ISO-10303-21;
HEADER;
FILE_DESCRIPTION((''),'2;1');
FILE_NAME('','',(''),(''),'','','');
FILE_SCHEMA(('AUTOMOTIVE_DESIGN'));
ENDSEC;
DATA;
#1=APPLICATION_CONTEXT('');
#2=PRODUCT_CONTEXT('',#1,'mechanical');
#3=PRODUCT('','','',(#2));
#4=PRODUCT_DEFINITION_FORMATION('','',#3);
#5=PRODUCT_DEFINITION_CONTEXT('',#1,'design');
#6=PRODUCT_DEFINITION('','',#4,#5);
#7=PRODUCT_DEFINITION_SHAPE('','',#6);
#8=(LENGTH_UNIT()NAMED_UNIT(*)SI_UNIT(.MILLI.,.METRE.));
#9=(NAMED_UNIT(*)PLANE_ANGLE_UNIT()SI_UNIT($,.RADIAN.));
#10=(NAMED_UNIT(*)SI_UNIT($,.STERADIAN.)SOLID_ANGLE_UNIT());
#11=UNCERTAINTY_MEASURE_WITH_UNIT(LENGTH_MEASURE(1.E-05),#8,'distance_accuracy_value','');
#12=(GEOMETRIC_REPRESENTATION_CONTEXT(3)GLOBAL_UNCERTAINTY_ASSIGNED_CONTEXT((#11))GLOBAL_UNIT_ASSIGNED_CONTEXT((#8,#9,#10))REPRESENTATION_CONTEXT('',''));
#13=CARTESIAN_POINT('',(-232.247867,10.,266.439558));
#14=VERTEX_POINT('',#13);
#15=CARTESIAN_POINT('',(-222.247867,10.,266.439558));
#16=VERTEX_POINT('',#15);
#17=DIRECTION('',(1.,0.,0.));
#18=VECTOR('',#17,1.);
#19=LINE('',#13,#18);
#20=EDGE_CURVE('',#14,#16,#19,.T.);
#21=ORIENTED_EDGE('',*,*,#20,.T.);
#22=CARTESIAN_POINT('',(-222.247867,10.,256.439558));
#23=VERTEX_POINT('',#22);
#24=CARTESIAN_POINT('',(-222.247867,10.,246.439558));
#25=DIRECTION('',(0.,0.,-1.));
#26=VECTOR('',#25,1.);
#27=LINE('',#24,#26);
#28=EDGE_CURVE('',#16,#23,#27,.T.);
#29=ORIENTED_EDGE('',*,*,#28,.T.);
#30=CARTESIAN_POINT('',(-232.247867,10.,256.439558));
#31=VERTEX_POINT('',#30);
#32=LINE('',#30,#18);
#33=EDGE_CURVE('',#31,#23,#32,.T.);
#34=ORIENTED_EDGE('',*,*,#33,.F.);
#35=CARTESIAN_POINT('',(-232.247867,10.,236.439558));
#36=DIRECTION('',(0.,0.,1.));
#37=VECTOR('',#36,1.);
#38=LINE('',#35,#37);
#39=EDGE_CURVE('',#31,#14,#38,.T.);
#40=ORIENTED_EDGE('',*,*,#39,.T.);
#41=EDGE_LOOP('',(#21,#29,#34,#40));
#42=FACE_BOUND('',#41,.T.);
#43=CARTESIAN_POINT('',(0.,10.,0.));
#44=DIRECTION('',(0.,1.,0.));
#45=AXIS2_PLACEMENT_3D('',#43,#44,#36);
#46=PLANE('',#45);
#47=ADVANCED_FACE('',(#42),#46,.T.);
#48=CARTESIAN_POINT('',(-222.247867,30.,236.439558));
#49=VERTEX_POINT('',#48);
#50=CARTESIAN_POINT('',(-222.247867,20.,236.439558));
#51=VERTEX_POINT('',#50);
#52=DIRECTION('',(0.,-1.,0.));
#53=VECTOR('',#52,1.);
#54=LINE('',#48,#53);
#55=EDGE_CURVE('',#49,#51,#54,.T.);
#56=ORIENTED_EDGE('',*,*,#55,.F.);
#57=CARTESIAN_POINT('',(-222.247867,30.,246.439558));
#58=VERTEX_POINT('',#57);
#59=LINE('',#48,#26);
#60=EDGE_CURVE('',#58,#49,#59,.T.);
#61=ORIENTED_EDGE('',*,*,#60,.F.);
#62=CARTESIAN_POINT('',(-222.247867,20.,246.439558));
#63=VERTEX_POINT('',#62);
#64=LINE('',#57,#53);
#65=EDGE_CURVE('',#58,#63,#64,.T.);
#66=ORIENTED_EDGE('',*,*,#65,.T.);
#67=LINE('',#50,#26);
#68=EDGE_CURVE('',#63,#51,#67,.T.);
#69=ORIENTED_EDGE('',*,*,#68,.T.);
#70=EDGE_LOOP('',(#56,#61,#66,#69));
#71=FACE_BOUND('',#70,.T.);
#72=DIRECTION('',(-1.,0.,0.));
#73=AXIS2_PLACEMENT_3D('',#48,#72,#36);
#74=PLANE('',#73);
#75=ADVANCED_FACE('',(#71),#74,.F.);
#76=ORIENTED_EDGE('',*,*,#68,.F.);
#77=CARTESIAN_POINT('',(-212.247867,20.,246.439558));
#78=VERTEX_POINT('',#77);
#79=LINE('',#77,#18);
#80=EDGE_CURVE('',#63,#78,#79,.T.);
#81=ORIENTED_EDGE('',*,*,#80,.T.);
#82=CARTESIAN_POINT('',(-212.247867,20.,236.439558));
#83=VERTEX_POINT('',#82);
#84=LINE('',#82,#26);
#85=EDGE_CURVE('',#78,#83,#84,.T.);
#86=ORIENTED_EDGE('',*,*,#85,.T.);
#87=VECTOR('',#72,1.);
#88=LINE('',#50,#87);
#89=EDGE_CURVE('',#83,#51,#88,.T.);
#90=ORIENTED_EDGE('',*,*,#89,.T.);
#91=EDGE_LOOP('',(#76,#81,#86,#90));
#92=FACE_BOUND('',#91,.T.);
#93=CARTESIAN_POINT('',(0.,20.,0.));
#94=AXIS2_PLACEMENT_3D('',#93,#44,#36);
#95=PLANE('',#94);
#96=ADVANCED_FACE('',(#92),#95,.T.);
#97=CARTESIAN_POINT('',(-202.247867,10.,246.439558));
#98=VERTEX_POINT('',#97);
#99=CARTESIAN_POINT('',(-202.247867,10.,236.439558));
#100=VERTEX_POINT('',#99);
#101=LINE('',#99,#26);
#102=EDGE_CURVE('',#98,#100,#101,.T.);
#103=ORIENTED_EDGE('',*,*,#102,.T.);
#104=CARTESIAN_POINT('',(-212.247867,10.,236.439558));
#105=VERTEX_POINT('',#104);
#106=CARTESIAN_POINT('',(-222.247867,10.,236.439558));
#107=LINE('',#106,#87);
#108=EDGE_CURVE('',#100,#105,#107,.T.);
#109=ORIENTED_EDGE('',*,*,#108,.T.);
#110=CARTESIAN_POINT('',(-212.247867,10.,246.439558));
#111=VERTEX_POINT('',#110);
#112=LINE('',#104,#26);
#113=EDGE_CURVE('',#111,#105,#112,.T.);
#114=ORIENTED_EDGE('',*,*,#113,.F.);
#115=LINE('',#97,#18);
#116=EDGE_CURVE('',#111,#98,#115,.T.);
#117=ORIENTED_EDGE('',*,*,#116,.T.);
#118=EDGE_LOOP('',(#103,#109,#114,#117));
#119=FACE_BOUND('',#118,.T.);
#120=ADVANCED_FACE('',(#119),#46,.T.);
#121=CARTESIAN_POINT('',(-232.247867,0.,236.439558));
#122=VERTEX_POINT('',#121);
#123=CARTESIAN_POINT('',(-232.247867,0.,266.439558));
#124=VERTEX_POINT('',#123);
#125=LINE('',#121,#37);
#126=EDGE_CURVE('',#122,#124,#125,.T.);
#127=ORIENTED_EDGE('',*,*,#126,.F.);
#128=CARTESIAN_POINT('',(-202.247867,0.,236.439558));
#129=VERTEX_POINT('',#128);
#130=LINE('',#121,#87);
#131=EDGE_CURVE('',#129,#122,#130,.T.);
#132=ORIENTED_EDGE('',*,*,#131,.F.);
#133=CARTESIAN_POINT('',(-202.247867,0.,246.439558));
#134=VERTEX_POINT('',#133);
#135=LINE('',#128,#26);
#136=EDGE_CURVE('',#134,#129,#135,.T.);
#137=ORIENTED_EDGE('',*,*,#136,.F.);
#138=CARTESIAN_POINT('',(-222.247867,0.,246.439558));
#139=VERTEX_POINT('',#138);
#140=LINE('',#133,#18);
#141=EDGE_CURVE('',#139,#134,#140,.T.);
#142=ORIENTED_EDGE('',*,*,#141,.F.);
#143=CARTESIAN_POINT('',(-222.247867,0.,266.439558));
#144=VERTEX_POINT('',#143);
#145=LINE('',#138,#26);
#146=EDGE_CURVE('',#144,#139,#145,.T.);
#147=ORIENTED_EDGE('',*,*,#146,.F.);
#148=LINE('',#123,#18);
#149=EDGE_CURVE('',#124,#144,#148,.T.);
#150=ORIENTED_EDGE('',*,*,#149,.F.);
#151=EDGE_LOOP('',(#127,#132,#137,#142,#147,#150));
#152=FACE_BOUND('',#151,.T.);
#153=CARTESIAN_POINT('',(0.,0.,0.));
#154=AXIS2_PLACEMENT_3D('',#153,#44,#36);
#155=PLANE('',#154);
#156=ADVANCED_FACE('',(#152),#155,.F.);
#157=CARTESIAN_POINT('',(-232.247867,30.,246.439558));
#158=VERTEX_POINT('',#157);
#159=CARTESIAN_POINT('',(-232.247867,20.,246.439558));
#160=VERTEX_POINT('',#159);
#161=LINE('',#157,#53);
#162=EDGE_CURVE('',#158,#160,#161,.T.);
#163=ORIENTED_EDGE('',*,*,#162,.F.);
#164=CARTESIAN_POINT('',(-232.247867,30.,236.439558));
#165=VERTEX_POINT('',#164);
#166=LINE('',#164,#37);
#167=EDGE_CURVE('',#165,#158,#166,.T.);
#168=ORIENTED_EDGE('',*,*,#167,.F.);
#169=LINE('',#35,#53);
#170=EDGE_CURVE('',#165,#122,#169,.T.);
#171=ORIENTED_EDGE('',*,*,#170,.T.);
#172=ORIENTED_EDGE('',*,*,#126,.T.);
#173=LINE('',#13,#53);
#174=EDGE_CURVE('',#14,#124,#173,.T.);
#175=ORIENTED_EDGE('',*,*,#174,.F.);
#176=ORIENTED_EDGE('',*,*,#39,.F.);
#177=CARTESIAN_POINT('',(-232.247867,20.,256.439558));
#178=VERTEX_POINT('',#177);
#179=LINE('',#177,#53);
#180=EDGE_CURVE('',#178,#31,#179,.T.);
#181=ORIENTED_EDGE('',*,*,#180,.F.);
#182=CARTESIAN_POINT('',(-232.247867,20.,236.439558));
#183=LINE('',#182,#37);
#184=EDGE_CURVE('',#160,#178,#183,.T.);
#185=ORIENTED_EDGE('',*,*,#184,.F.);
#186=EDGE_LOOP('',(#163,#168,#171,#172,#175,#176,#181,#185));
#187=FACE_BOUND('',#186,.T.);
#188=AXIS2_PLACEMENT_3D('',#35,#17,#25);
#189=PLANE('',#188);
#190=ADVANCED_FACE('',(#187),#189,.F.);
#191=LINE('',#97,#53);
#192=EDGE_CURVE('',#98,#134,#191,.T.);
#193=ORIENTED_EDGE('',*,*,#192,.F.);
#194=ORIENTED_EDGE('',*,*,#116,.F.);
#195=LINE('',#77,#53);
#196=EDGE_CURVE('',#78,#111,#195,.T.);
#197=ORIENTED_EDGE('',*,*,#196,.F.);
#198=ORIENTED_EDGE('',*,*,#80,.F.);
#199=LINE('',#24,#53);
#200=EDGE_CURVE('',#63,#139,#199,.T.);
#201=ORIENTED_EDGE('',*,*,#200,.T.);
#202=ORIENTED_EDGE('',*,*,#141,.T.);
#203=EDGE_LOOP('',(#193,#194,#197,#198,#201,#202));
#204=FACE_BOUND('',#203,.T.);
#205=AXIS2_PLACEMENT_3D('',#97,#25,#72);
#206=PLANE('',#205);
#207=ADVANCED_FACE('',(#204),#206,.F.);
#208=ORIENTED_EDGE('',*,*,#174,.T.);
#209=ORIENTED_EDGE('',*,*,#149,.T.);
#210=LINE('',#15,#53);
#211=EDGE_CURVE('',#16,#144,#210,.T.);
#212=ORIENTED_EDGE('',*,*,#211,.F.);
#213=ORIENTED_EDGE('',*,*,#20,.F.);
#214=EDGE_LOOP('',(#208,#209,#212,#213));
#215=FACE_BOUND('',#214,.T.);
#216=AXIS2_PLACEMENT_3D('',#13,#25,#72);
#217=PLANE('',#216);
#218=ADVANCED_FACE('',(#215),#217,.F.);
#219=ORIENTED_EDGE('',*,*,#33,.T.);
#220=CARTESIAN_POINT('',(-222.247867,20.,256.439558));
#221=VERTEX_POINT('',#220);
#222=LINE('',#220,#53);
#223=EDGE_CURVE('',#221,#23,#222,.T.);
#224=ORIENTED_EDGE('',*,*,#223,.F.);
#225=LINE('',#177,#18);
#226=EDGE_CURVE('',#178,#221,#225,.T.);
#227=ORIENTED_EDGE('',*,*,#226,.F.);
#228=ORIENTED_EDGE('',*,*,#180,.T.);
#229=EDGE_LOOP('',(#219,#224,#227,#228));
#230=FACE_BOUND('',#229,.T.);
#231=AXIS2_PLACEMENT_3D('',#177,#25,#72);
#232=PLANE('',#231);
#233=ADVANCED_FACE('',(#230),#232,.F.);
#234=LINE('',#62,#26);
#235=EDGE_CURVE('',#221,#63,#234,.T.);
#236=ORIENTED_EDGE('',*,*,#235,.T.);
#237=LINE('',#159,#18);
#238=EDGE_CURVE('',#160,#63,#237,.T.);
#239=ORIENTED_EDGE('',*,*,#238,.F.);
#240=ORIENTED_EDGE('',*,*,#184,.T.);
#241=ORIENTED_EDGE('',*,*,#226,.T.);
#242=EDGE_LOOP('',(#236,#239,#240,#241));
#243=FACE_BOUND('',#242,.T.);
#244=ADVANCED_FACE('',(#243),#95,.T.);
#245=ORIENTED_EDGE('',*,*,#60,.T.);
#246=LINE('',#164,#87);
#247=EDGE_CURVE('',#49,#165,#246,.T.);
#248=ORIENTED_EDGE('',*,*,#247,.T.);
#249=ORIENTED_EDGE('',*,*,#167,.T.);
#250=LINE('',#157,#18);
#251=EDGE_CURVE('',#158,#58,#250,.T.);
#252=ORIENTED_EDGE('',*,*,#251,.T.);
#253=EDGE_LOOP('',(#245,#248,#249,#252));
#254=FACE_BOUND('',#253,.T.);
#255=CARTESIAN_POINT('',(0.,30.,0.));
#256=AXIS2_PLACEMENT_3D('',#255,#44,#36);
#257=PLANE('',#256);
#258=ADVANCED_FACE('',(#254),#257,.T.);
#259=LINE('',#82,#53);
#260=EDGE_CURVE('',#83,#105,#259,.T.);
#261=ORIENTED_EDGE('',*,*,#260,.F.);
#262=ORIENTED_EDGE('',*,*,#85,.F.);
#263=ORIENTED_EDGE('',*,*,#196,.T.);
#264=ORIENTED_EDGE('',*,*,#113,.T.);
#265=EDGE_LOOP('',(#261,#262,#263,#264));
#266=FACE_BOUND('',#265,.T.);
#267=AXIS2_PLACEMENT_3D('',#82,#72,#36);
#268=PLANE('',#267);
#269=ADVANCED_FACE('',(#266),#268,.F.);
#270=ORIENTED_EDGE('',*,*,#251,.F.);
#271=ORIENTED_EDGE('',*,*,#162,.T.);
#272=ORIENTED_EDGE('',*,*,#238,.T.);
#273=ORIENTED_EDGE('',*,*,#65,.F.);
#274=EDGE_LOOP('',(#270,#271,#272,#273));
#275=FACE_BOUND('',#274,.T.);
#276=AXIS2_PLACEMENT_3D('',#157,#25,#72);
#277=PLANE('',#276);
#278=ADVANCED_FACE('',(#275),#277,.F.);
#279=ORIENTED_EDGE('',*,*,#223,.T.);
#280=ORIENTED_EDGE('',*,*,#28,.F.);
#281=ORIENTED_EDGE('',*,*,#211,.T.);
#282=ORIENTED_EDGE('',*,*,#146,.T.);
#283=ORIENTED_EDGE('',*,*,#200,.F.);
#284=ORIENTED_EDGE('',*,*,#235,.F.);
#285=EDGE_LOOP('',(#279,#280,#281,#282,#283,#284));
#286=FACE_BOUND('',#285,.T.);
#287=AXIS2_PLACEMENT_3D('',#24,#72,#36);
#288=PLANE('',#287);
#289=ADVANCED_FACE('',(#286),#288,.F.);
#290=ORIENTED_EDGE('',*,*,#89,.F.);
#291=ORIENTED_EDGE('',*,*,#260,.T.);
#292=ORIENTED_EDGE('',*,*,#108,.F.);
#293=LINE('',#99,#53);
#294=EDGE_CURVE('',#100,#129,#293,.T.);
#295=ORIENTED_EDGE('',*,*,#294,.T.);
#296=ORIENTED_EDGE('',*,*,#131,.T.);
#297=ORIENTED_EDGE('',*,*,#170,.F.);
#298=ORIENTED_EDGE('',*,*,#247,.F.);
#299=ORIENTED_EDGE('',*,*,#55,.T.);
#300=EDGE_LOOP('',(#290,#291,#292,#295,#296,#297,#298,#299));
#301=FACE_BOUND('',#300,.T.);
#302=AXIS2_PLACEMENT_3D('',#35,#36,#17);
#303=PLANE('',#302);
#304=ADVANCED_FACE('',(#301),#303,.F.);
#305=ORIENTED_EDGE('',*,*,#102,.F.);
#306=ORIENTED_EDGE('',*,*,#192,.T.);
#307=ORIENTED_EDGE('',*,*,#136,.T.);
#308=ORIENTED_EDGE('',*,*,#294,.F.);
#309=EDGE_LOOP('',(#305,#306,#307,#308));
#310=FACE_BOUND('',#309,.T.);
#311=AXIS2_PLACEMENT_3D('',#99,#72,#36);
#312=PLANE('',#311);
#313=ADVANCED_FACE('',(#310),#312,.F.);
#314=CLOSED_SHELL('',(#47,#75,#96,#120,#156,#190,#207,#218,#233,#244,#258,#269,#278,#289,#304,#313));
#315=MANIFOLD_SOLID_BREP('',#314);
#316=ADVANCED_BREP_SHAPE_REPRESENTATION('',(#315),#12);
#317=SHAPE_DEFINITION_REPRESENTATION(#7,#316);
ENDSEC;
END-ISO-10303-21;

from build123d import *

# Parameters (mm, degrees)
SALIENTE_EXTRUIR1_DEPTH = 10
SALIENTE_EXTRUIR2_DEPTH = 10
CROQUIS4_W              = 10
CROQUIS4_H              = 10
SALIENTE_EXTRUIR3_DEPTH = 10


with BuildPart() as part:
    # Croquis2 → Saliente-Extruir1 (new body)
    with BuildSketch(Plane(origin=(0, 0, 0), x_dir=(1, 0, 0), z_dir=(0, 1, 0))):
        Polygon((-232.247867371, -236.439558246), (-222.247867371, -236.439558246), (-202.247867371, -236.439558246), (-202.247867371, -246.439558246), (-222.247867371, -246.439558246), (-222.247867371, -266.439558246), (-232.247867371, -266.439558246), align=None)
    extrude(amount=SALIENTE_EXTRUIR1_DEPTH)

    # Croquis3 → Saliente-Extruir2 (add)
    with BuildSketch(Plane(origin=(0, 10, 0), x_dir=(1, 0, 0), z_dir=(0, 1, 0))):
        Polygon((-222.247867371, -236.439558246), (-212.247867371, -236.439558246), (-212.247867371, -246.439558246), (-222.247867371, -246.439558246), (-222.247867371, -256.439558246), (-232.247867371, -256.439558246), (-232.247867371, -236.439558246), align=None)
    extrude(amount=SALIENTE_EXTRUIR2_DEPTH)

    # Croquis4 → Saliente-Extruir3 (add)
    with BuildSketch(Plane(origin=(0, 20, 0), x_dir=(1, 0, 0), z_dir=(0, 1, 0))):
        with Locations((-227.247867371, -241.439558246)):
            Rectangle(CROQUIS4_W, CROQUIS4_H)
    extrude(amount=SALIENTE_EXTRUIR3_DEPTH)


solid = part.part
